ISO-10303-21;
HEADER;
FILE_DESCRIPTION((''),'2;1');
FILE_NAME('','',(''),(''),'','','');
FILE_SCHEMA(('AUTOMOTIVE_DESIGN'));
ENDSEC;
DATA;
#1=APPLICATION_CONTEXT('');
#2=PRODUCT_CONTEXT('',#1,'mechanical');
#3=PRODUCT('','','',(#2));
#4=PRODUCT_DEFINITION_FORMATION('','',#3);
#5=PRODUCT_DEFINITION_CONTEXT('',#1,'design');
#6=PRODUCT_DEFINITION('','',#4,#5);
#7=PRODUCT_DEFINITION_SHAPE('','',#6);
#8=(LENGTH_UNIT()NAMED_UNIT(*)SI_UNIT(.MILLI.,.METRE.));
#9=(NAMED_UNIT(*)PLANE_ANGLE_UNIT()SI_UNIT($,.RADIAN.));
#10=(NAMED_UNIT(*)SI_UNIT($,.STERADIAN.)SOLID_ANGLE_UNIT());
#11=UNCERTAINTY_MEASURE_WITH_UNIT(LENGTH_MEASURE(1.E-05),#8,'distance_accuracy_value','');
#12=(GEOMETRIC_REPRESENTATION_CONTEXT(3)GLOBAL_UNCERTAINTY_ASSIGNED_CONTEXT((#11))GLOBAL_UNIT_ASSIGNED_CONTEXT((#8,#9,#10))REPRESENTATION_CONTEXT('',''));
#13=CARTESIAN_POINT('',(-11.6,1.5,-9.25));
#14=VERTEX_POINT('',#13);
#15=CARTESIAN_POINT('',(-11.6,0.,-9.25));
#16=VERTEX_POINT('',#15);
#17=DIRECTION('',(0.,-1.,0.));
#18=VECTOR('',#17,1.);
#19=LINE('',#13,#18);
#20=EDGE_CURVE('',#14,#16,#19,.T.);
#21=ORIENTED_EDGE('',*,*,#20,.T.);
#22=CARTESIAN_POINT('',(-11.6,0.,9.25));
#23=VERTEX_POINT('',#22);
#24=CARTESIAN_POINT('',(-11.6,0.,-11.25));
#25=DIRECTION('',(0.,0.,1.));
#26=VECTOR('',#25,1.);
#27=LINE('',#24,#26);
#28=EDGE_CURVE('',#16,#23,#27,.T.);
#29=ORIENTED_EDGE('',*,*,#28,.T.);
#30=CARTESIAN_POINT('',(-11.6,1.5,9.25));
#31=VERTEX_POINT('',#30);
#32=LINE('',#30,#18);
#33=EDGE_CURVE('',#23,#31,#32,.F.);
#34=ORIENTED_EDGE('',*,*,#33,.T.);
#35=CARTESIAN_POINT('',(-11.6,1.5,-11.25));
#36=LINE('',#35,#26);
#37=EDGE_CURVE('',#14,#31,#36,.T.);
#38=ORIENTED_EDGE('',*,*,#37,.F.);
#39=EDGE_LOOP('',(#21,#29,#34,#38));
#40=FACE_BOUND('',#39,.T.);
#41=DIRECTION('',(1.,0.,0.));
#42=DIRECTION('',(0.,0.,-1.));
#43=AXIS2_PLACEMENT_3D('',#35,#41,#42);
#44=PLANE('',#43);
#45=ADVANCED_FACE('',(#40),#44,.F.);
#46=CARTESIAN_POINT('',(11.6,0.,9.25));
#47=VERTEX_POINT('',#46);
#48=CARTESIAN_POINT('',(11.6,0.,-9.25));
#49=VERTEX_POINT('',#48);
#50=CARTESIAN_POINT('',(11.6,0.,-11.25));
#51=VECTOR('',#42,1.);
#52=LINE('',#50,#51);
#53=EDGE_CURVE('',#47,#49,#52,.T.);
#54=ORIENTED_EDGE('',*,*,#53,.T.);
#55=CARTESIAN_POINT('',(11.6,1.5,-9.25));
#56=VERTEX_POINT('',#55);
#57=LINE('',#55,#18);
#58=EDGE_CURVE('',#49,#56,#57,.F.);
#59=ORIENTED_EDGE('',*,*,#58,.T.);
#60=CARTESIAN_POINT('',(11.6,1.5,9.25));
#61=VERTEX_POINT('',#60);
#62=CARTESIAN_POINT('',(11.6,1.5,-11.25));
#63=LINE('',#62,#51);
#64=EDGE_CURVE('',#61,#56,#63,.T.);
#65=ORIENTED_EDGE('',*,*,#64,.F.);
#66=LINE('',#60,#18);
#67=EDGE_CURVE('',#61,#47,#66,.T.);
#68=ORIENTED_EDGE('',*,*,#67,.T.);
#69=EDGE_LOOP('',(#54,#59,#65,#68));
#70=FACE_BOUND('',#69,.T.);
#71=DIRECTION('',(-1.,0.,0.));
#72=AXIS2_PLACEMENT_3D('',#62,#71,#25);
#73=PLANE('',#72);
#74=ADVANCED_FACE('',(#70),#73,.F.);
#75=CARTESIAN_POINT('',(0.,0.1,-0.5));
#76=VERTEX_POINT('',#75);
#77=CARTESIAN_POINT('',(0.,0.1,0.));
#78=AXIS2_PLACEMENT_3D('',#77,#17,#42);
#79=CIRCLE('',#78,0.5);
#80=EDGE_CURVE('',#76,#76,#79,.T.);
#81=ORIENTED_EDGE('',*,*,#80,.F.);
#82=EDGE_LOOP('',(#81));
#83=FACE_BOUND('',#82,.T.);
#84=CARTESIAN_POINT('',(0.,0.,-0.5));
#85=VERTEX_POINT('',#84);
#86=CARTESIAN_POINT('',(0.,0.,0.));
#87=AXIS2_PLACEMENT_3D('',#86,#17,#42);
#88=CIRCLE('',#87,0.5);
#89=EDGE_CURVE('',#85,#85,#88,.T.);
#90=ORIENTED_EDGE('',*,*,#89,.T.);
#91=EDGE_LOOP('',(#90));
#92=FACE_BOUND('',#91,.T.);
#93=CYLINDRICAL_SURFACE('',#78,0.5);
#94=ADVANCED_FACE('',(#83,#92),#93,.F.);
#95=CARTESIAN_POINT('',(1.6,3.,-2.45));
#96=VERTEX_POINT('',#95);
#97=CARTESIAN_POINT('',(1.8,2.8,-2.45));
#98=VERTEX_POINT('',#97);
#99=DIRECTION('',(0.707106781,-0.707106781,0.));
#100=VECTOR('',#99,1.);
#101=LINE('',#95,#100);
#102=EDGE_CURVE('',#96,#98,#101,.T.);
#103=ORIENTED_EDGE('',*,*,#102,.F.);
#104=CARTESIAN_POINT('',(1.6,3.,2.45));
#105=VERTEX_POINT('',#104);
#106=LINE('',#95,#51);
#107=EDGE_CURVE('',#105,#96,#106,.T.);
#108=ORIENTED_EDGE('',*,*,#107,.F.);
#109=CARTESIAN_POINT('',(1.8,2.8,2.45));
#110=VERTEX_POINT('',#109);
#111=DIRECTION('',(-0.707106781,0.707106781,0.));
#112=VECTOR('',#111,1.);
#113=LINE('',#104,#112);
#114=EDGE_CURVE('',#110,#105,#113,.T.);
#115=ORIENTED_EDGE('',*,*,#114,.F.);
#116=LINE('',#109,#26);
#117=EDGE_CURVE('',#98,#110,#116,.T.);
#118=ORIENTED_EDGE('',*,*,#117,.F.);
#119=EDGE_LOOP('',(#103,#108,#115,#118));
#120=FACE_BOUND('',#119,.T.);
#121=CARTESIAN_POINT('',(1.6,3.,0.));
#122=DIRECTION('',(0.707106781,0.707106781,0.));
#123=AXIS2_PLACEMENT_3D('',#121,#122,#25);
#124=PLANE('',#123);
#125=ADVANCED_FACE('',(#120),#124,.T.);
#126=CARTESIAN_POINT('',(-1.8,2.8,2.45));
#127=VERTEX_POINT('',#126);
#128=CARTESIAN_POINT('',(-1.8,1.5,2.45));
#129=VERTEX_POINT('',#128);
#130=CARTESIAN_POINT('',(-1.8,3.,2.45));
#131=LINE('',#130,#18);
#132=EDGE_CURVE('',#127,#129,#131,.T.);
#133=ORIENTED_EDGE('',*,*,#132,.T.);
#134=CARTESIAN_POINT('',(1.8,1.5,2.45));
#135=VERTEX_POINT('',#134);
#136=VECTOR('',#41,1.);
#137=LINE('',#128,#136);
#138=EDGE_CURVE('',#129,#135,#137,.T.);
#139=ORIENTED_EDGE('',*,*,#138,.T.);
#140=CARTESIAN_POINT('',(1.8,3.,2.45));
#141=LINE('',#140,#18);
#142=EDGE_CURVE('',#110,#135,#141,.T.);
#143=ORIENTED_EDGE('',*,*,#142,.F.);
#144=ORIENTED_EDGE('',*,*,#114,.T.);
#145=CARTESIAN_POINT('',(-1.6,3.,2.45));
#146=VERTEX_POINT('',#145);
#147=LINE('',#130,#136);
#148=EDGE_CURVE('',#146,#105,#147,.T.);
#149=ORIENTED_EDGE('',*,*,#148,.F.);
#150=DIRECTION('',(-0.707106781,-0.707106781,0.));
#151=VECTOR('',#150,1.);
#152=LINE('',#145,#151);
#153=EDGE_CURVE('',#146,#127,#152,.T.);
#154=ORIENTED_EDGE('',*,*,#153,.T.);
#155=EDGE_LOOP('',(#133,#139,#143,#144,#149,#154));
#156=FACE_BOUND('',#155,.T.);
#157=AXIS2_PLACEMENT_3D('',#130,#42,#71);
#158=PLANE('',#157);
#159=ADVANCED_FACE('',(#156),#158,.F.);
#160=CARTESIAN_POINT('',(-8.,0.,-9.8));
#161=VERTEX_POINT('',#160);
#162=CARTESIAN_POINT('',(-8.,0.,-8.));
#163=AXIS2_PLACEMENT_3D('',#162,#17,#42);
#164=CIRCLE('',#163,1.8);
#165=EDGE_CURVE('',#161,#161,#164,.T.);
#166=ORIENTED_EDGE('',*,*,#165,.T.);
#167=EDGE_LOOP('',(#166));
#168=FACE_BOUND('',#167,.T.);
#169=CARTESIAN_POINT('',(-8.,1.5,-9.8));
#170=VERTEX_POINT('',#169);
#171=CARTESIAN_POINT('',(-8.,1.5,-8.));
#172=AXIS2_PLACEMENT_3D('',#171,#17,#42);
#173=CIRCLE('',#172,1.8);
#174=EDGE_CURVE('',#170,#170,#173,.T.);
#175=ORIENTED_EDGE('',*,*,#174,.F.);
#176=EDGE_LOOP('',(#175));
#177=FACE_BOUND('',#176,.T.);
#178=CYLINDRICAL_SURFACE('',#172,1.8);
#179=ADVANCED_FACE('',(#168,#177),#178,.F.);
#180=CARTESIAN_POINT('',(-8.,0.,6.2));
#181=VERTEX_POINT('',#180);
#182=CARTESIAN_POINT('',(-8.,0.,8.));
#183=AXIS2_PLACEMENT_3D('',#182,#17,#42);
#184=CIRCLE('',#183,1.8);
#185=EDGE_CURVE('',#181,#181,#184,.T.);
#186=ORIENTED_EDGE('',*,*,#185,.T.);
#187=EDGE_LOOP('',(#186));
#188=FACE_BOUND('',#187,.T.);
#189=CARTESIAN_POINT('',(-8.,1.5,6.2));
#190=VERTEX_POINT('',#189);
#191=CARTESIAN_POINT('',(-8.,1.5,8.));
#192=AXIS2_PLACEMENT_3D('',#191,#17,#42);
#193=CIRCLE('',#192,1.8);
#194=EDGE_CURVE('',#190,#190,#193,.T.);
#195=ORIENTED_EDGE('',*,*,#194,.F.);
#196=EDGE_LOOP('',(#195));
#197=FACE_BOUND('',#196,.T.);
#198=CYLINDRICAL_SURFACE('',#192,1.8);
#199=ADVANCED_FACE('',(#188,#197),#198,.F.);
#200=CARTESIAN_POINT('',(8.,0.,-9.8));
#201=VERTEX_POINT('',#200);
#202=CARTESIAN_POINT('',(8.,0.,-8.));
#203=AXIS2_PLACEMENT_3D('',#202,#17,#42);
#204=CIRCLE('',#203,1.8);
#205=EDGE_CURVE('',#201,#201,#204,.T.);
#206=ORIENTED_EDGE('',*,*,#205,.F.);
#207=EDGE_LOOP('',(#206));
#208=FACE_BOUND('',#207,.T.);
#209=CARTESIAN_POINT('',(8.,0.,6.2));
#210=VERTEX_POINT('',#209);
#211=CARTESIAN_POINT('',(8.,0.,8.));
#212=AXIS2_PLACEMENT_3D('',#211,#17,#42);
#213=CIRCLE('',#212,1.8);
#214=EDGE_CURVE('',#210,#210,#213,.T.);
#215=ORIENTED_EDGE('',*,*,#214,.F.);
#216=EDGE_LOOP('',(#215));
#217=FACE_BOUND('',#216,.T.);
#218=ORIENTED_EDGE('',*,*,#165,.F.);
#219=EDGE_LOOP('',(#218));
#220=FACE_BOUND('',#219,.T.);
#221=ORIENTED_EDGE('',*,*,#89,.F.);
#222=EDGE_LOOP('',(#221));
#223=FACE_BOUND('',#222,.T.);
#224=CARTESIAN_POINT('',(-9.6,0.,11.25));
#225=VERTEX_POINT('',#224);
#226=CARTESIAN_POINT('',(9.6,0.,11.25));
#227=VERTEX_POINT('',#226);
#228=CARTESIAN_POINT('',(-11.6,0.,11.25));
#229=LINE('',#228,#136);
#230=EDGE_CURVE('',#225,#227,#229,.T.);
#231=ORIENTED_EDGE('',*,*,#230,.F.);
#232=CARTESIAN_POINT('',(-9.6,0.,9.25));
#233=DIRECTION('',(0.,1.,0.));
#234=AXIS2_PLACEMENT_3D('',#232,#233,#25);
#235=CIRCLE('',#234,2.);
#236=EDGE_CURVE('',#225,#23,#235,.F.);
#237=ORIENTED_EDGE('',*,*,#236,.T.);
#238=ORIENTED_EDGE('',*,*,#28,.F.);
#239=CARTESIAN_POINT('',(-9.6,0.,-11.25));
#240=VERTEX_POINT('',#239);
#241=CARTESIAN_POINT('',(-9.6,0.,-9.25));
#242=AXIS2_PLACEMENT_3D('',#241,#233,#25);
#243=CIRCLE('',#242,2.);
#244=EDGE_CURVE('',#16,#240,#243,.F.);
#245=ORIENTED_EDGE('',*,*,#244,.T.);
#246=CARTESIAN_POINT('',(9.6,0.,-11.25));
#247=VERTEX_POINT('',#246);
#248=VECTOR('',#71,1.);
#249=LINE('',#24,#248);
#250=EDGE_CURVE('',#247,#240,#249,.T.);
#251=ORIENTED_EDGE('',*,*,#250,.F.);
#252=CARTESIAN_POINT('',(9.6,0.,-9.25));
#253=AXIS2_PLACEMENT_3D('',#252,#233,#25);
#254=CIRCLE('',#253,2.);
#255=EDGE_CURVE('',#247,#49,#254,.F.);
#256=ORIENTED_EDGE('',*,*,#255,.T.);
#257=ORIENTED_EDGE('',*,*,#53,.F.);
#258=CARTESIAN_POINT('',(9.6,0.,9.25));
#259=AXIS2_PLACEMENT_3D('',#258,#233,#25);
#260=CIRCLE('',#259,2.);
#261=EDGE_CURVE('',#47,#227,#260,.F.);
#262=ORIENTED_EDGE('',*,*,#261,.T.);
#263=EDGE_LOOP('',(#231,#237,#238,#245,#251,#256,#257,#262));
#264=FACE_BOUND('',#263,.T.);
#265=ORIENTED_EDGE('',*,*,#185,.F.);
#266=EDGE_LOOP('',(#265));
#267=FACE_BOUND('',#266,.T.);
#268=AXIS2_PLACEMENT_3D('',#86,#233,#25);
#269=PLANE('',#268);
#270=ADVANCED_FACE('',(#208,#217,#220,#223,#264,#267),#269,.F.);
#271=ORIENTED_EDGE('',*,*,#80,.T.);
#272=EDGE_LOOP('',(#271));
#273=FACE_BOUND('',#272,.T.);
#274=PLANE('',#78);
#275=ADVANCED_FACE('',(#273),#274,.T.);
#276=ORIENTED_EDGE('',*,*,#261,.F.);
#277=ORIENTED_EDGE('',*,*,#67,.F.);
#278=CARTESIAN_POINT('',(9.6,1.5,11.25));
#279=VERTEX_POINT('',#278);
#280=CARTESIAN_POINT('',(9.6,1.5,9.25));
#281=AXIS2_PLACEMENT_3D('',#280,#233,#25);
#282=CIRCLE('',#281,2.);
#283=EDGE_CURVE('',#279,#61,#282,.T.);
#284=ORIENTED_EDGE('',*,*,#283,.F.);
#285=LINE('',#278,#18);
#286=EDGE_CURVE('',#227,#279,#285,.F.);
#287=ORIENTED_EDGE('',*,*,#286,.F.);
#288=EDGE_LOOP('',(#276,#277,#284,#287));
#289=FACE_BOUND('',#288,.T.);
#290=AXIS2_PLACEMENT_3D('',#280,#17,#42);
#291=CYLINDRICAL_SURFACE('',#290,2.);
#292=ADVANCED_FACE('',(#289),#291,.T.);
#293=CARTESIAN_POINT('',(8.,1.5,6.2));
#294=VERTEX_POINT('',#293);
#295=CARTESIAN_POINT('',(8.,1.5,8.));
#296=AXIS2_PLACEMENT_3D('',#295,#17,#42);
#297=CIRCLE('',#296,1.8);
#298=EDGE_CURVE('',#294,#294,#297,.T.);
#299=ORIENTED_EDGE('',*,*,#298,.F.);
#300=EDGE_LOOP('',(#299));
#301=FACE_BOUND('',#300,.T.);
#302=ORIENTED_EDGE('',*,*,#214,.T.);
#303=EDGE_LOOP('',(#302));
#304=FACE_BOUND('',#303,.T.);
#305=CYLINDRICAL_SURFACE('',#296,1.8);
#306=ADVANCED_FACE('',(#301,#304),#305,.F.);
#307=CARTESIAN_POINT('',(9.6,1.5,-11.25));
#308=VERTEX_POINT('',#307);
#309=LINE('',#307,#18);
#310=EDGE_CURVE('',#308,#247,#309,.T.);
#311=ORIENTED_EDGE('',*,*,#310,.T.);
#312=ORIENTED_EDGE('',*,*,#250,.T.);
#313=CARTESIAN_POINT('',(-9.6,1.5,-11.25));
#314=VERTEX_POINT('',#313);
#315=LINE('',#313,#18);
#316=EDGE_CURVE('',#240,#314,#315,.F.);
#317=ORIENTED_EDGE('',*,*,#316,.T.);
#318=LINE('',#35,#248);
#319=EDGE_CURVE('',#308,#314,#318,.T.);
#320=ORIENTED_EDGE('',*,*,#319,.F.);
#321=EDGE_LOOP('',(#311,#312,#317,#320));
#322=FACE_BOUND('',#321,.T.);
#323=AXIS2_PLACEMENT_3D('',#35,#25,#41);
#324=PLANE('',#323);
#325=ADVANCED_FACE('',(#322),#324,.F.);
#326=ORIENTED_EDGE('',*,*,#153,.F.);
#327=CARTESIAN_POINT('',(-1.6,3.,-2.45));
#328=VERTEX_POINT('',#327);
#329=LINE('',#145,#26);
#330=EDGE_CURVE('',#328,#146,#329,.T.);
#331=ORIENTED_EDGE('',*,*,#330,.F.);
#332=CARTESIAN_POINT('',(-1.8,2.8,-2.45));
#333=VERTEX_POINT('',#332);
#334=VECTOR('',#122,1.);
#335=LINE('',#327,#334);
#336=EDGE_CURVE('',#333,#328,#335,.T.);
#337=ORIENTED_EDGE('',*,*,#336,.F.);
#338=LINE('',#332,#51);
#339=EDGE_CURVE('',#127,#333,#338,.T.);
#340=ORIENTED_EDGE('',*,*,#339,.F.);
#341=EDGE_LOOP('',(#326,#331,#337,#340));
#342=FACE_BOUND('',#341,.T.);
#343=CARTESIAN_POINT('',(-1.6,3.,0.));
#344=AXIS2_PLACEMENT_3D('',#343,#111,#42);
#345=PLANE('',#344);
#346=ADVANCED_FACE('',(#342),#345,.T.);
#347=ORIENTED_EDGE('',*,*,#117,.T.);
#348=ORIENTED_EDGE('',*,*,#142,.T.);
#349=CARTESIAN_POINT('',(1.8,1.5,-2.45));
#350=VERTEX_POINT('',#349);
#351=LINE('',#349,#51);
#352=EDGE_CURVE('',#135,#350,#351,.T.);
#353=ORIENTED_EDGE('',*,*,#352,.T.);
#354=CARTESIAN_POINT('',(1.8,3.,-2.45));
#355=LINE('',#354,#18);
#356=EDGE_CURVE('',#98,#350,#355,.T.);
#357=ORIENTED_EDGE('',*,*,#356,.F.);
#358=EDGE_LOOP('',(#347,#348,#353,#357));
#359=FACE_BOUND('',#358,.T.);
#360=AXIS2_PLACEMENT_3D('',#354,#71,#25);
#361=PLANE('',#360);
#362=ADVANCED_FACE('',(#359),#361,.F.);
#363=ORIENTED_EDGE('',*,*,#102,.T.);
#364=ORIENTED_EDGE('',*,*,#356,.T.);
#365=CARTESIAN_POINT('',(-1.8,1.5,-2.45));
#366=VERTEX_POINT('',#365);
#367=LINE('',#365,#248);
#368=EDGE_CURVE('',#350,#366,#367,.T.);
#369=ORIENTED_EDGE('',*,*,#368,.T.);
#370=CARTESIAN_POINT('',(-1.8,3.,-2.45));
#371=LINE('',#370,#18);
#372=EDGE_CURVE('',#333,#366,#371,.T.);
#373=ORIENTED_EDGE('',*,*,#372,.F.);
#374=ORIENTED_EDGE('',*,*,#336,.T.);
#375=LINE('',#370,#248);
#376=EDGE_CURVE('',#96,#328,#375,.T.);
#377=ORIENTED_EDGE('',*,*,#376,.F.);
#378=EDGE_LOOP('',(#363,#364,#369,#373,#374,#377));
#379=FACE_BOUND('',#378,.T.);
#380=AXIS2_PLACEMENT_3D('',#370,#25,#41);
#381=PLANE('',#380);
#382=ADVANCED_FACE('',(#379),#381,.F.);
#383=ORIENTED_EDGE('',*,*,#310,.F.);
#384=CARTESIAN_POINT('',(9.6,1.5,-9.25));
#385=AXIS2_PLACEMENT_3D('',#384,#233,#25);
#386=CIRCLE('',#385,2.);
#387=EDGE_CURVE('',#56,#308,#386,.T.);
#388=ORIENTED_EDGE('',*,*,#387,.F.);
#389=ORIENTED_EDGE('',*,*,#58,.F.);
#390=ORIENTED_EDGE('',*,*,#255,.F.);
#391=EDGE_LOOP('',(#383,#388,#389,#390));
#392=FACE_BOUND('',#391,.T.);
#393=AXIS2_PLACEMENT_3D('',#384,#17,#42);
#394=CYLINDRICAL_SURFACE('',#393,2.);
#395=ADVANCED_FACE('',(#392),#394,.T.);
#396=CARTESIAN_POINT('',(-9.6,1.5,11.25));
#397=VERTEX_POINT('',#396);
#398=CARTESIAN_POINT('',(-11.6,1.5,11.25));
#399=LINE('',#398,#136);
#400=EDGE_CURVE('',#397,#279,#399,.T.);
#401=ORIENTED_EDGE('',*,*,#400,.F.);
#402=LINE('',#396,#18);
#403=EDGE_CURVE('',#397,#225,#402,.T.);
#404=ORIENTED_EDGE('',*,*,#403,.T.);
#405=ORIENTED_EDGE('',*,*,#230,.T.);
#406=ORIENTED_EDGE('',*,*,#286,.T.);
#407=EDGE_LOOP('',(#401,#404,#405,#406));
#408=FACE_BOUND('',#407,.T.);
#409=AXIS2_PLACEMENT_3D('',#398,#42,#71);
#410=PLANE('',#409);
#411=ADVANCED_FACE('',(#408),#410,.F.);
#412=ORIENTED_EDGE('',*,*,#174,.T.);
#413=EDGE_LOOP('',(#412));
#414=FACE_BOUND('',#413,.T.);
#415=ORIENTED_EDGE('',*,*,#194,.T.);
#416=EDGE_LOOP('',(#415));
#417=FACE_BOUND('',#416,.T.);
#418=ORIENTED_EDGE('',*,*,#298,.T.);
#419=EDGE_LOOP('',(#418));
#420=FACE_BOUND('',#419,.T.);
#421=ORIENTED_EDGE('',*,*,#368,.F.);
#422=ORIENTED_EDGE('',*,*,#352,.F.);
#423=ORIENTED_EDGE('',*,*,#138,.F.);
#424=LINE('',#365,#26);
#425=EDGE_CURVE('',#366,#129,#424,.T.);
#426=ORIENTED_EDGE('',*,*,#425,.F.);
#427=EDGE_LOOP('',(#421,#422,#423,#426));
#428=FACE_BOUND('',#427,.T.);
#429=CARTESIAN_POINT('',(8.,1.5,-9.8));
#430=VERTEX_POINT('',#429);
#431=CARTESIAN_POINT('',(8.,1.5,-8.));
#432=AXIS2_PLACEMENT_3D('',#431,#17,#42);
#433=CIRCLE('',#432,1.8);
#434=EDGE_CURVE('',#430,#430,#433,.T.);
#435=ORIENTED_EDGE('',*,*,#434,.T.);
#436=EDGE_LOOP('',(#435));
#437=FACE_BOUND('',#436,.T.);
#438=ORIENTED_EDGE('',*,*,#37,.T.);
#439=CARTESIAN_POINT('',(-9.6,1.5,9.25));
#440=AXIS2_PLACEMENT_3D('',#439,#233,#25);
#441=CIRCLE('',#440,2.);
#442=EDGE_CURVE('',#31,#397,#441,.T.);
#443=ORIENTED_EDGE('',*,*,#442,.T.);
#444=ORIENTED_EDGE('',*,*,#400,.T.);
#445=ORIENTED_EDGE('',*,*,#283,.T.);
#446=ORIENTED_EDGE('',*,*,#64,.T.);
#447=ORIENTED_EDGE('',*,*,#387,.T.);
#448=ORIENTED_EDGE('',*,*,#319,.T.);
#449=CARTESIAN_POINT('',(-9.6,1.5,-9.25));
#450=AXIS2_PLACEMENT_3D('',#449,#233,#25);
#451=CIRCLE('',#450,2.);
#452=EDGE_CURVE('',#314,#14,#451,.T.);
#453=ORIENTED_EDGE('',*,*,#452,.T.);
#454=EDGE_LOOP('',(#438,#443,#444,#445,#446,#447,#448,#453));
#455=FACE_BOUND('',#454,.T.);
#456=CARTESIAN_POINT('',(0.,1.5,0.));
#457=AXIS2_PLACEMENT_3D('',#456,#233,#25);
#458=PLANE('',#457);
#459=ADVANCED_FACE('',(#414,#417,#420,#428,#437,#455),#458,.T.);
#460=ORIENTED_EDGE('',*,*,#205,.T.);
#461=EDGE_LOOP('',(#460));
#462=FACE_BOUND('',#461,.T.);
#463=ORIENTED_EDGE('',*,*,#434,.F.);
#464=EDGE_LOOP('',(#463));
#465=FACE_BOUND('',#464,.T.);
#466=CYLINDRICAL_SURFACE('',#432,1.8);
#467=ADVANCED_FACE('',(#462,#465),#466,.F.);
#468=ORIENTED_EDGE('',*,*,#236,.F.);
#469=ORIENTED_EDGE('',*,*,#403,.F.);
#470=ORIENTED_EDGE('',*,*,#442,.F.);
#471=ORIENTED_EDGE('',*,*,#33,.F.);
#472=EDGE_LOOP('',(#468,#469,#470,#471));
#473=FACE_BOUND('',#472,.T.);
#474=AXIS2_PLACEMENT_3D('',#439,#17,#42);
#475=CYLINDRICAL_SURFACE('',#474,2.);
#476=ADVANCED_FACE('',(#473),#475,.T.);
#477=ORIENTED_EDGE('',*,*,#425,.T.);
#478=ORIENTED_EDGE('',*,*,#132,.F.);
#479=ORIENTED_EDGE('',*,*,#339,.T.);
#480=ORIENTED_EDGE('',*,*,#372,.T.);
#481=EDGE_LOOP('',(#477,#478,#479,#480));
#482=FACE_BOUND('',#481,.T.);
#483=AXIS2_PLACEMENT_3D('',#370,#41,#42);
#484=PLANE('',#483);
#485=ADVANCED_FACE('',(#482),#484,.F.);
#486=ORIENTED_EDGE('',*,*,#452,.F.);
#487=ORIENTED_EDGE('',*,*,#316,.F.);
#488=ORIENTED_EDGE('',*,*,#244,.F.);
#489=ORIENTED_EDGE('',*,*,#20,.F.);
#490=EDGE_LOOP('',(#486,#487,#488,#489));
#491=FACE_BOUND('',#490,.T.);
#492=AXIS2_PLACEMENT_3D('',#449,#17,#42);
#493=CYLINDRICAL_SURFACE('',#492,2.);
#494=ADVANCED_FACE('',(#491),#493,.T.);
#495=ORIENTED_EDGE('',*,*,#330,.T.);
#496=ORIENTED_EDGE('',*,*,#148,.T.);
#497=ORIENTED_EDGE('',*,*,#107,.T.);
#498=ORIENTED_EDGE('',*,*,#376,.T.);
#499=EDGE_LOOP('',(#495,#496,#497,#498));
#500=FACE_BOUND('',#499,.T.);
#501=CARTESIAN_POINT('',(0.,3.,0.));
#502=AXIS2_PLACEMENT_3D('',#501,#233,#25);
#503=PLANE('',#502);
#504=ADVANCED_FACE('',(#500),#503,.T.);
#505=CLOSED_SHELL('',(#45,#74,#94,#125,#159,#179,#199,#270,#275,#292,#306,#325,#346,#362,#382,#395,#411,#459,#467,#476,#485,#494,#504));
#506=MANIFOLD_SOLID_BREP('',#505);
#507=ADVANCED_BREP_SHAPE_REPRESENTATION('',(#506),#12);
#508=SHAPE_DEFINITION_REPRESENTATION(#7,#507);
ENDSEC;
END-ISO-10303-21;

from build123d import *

# Parameters (mm, degrees)
SKETCH_1_W          = 23.2
SKETCH_1_H          = 22.5
EXTRUDE_1_DEPTH     = 1.5
FILLET_1_R          = 2
SKETCH_2_R          = 1.8
CUT_EXTRUDE_1_DEPTH = 1.5
SKETCH_3_W          = 3.6
SKETCH_3_H          = 4.9
EXTRUDE_2_DEPTH     = 1.5
CHAMFER_1_SIZE      = 0.2
SKETCH_17_R         = 0.5
CUT_EXTRUDE_2_DEPTH = 0.1


with BuildPart() as part:
    # 草图1 → 凸台-拉伸1 (new body)
    with BuildSketch(Plane(origin=(0, 0, 0), x_dir=(1, 0, 0), z_dir=(0, 1, 0))):
        Rectangle(SKETCH_1_W, SKETCH_1_H)
    extrude(amount=EXTRUDE_1_DEPTH)

    # 圆角1
    fillet_1_edges = [part.edges().sort_by_distance(p)[0] for p in [
        (11.6, 0.75, 11.25),
        (-11.6, 0.75, 11.25),
        (-11.6, 0.75, -11.25),
        (11.6, 0.75, -11.25),
    ]]
    fillet(fillet_1_edges, radius=FILLET_1_R)

    # 草图2 → 切除-拉伸1 (cut)
    with BuildSketch(Plane.XZ):
        with Locations(Location((-8, 8, 0), (0, 0, 270))):
            Circle(SKETCH_2_R)
        with Locations(Location((8, 8, 0), (0, 0, 270))):
            Circle(SKETCH_2_R)
        with Locations(Location((8, -8, 0), (0, 0, 270))):
            Circle(SKETCH_2_R)
        with Locations(Location((-8, -8, 0), (0, 0, 270))):
            Circle(SKETCH_2_R)
    extrude(amount=-CUT_EXTRUDE_1_DEPTH, mode=Mode.SUBTRACT)

    # 草图3 → 凸台-拉伸2 (add)
    with BuildSketch(Plane(origin=(0, 1.5, 0), x_dir=(1, 0, 0), z_dir=(0, 1, 0))):
        Rectangle(SKETCH_3_W, SKETCH_3_H)
    extrude(amount=EXTRUDE_2_DEPTH)

    # 倒角1
    chamfer_1_edges = [part.edges().sort_by_distance(p)[0] for p in [
        (1.8, 3, 0),
        (-1.8, 3, 0),
    ]]
    chamfer(chamfer_1_edges, length=CHAMFER_1_SIZE)

    # 草图17 → 切除-拉伸2 (cut)
    with BuildSketch(Plane.XZ):
        with Locations(Location((0, 0, 0), (0, 0, 270))):
            Circle(SKETCH_17_R)
    extrude(amount=-CUT_EXTRUDE_2_DEPTH, mode=Mode.SUBTRACT)


solid = part.part
